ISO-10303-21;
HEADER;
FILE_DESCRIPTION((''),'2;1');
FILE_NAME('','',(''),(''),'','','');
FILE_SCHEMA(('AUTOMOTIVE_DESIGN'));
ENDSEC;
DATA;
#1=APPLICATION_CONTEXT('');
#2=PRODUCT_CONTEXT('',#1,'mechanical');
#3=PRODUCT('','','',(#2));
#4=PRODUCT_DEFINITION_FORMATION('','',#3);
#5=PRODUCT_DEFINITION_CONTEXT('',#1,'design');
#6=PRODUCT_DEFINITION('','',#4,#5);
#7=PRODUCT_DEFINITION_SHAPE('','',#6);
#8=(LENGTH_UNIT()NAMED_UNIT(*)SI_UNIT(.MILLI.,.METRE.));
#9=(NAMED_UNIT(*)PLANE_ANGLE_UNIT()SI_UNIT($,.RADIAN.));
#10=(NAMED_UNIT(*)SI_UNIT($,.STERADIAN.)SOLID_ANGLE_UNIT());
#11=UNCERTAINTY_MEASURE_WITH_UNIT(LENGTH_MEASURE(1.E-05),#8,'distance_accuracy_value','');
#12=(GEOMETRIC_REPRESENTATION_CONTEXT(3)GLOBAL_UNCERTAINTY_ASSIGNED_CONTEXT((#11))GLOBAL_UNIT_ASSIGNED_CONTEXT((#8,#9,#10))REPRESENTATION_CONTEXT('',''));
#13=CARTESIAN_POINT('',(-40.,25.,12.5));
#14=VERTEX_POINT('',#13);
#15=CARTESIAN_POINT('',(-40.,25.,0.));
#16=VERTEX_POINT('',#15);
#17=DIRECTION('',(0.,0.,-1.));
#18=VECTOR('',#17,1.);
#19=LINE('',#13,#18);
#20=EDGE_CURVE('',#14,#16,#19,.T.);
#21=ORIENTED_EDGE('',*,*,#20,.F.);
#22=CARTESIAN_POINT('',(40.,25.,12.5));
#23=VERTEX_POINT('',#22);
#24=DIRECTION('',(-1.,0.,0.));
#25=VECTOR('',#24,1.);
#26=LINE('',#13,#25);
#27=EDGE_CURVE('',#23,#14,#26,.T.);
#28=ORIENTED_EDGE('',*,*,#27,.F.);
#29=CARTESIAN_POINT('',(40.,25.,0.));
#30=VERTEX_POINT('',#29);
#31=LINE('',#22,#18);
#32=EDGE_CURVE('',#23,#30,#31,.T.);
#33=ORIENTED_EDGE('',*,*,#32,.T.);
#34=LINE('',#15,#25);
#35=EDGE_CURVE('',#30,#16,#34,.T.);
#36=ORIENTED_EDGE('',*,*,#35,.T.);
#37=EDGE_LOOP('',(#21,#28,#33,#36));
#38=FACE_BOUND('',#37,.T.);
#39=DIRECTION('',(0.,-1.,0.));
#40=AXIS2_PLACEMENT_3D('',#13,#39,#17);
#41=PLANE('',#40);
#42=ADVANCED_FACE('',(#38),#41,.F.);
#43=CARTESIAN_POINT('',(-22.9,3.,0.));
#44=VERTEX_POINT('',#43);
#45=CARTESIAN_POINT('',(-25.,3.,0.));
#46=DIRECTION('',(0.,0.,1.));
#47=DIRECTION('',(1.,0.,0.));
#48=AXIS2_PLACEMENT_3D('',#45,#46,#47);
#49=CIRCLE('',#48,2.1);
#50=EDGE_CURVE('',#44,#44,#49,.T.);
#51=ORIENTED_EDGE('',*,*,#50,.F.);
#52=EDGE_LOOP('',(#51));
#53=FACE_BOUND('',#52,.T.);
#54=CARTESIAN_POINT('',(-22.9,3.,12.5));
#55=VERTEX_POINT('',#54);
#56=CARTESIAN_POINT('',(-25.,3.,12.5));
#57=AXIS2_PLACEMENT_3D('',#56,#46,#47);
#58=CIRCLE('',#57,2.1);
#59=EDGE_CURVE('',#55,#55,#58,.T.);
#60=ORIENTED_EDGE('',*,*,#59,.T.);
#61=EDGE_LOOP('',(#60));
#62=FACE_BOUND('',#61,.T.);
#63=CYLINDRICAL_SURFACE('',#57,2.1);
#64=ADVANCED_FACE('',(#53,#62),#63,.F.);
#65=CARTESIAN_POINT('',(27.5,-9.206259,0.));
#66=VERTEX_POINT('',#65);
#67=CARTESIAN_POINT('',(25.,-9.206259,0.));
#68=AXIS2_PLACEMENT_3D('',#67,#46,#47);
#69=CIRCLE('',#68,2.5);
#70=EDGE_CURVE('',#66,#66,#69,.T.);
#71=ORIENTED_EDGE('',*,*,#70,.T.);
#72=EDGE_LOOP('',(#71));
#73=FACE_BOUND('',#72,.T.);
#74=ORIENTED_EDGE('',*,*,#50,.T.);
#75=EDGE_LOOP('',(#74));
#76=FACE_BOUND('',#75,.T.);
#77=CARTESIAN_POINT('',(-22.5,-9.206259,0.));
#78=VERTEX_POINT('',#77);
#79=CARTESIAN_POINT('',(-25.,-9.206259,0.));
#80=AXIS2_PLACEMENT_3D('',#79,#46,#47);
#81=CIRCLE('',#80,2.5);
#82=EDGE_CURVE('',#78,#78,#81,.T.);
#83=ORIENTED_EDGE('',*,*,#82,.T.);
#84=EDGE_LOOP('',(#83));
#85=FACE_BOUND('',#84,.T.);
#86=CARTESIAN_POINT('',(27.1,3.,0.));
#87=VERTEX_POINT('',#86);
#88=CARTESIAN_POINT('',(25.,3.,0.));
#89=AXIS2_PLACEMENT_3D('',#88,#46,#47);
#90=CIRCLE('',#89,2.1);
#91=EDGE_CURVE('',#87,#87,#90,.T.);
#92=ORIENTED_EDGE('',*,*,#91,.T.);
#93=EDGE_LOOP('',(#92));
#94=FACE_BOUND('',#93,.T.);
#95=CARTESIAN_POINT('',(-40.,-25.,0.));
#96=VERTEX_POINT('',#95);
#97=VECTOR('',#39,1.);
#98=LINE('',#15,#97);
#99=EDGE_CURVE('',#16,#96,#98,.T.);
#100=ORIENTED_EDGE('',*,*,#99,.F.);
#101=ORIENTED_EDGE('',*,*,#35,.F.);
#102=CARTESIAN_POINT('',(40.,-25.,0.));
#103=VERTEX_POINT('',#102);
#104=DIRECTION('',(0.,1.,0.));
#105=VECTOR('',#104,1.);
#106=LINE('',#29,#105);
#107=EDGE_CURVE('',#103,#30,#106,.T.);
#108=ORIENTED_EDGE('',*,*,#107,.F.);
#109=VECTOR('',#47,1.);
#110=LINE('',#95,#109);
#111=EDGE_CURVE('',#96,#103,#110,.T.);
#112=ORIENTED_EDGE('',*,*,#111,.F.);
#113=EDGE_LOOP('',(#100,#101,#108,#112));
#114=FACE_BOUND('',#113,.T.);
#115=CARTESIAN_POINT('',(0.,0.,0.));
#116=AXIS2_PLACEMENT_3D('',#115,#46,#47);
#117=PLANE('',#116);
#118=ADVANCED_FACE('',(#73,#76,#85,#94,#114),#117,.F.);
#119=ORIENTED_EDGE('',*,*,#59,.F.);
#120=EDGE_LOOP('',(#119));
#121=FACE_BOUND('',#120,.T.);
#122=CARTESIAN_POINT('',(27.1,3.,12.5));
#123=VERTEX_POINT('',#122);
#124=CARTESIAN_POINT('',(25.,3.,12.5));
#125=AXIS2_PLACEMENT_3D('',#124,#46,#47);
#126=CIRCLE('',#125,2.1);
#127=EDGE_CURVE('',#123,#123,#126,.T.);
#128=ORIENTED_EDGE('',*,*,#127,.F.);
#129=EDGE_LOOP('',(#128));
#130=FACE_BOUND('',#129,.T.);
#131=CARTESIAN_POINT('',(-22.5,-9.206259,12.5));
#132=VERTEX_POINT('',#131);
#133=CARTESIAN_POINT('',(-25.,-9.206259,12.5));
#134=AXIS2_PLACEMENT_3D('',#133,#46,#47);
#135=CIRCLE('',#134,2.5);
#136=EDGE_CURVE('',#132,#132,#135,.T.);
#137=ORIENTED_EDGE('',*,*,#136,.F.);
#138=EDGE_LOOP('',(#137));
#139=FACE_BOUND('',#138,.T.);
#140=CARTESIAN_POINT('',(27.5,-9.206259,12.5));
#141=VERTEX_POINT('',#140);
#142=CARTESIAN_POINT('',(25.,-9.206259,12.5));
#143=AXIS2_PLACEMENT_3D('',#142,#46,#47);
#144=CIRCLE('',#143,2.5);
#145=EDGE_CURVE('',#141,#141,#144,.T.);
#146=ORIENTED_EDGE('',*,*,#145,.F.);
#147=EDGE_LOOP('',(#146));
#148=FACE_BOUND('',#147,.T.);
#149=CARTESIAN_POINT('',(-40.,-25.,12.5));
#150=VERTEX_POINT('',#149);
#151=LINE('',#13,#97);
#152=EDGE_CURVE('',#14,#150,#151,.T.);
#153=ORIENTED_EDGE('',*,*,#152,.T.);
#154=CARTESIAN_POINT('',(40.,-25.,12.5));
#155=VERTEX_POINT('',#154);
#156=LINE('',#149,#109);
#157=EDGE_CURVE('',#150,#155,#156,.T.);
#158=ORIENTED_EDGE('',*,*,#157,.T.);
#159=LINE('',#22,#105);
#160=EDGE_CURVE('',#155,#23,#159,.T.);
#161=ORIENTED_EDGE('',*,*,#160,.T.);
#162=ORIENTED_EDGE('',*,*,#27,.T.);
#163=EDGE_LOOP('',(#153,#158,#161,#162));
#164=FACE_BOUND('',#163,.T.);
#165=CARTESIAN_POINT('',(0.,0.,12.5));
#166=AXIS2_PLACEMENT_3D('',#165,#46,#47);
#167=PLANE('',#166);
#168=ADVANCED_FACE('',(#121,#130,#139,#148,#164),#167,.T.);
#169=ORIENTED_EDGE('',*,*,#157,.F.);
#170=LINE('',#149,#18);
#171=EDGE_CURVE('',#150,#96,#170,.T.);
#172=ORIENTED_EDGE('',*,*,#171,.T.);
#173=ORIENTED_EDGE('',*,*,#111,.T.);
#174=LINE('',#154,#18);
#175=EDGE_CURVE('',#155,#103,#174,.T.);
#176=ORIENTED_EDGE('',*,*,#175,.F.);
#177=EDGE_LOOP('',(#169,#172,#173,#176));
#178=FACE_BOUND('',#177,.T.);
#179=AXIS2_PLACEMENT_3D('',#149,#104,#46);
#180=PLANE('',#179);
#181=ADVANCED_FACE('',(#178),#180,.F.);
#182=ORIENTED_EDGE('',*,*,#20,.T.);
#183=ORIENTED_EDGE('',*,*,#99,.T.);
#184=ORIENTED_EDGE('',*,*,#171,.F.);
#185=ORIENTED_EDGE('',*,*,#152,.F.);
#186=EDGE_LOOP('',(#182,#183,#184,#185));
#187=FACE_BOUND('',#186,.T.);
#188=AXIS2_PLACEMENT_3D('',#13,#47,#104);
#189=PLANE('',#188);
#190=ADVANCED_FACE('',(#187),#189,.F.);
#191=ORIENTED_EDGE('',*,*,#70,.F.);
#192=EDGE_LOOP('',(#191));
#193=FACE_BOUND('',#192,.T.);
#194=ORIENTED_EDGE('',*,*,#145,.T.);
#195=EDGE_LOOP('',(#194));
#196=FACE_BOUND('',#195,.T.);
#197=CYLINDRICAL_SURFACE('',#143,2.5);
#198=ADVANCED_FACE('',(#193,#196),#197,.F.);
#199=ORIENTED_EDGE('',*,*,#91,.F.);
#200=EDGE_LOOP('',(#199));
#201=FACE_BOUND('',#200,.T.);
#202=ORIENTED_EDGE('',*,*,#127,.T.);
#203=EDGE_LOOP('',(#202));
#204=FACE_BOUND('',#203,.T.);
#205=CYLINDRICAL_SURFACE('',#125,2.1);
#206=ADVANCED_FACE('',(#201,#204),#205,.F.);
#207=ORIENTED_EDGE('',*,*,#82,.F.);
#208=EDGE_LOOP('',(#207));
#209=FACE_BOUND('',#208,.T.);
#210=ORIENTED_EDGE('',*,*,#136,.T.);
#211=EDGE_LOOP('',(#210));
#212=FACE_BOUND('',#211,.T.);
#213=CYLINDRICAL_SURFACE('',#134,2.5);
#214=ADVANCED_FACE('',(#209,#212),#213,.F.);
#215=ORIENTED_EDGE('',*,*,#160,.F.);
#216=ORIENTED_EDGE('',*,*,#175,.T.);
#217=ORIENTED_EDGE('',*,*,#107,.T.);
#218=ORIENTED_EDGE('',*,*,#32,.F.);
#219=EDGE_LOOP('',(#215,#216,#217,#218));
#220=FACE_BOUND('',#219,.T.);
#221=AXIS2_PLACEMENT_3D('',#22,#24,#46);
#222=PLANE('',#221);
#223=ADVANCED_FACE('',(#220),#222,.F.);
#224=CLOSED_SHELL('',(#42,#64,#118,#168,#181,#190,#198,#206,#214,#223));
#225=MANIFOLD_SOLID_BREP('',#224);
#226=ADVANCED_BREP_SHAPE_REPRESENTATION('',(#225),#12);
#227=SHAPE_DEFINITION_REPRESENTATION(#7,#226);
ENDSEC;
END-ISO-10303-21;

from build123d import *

# Parameters (mm, degrees)
SKETCH1_W             = 80
SKETCH1_H             = 50
EXTRUDE1_DEPTH        = 12.5
M6_TAPPED_HOLE1_D     = 5
M5_TAPPED_HOLE1_D     = 4.2
M5_TAPPED_HOLE1_DEPTH = 12.5


with BuildPart() as part:
    # Sketch1 → Extrude1 (new body)
    with BuildSketch(Plane.XY):
        Rectangle(SKETCH1_W, SKETCH1_H)
    extrude(amount=EXTRUDE1_DEPTH)

    # M6 Tapped Hole1 (through all)
    with Locations(Plane.XY.offset(12.5)):
        with Locations((-25, -9.206258577), (25, -9.206258577)):
            Hole(M6_TAPPED_HOLE1_D / 2)

    # M5 Tapped Hole1
    with Locations(Plane.XY.offset(12.5)):
        with Locations((-25, 3), (25, 3)):
            Hole(M5_TAPPED_HOLE1_D / 2, depth=M5_TAPPED_HOLE1_DEPTH)


solid = part.part
